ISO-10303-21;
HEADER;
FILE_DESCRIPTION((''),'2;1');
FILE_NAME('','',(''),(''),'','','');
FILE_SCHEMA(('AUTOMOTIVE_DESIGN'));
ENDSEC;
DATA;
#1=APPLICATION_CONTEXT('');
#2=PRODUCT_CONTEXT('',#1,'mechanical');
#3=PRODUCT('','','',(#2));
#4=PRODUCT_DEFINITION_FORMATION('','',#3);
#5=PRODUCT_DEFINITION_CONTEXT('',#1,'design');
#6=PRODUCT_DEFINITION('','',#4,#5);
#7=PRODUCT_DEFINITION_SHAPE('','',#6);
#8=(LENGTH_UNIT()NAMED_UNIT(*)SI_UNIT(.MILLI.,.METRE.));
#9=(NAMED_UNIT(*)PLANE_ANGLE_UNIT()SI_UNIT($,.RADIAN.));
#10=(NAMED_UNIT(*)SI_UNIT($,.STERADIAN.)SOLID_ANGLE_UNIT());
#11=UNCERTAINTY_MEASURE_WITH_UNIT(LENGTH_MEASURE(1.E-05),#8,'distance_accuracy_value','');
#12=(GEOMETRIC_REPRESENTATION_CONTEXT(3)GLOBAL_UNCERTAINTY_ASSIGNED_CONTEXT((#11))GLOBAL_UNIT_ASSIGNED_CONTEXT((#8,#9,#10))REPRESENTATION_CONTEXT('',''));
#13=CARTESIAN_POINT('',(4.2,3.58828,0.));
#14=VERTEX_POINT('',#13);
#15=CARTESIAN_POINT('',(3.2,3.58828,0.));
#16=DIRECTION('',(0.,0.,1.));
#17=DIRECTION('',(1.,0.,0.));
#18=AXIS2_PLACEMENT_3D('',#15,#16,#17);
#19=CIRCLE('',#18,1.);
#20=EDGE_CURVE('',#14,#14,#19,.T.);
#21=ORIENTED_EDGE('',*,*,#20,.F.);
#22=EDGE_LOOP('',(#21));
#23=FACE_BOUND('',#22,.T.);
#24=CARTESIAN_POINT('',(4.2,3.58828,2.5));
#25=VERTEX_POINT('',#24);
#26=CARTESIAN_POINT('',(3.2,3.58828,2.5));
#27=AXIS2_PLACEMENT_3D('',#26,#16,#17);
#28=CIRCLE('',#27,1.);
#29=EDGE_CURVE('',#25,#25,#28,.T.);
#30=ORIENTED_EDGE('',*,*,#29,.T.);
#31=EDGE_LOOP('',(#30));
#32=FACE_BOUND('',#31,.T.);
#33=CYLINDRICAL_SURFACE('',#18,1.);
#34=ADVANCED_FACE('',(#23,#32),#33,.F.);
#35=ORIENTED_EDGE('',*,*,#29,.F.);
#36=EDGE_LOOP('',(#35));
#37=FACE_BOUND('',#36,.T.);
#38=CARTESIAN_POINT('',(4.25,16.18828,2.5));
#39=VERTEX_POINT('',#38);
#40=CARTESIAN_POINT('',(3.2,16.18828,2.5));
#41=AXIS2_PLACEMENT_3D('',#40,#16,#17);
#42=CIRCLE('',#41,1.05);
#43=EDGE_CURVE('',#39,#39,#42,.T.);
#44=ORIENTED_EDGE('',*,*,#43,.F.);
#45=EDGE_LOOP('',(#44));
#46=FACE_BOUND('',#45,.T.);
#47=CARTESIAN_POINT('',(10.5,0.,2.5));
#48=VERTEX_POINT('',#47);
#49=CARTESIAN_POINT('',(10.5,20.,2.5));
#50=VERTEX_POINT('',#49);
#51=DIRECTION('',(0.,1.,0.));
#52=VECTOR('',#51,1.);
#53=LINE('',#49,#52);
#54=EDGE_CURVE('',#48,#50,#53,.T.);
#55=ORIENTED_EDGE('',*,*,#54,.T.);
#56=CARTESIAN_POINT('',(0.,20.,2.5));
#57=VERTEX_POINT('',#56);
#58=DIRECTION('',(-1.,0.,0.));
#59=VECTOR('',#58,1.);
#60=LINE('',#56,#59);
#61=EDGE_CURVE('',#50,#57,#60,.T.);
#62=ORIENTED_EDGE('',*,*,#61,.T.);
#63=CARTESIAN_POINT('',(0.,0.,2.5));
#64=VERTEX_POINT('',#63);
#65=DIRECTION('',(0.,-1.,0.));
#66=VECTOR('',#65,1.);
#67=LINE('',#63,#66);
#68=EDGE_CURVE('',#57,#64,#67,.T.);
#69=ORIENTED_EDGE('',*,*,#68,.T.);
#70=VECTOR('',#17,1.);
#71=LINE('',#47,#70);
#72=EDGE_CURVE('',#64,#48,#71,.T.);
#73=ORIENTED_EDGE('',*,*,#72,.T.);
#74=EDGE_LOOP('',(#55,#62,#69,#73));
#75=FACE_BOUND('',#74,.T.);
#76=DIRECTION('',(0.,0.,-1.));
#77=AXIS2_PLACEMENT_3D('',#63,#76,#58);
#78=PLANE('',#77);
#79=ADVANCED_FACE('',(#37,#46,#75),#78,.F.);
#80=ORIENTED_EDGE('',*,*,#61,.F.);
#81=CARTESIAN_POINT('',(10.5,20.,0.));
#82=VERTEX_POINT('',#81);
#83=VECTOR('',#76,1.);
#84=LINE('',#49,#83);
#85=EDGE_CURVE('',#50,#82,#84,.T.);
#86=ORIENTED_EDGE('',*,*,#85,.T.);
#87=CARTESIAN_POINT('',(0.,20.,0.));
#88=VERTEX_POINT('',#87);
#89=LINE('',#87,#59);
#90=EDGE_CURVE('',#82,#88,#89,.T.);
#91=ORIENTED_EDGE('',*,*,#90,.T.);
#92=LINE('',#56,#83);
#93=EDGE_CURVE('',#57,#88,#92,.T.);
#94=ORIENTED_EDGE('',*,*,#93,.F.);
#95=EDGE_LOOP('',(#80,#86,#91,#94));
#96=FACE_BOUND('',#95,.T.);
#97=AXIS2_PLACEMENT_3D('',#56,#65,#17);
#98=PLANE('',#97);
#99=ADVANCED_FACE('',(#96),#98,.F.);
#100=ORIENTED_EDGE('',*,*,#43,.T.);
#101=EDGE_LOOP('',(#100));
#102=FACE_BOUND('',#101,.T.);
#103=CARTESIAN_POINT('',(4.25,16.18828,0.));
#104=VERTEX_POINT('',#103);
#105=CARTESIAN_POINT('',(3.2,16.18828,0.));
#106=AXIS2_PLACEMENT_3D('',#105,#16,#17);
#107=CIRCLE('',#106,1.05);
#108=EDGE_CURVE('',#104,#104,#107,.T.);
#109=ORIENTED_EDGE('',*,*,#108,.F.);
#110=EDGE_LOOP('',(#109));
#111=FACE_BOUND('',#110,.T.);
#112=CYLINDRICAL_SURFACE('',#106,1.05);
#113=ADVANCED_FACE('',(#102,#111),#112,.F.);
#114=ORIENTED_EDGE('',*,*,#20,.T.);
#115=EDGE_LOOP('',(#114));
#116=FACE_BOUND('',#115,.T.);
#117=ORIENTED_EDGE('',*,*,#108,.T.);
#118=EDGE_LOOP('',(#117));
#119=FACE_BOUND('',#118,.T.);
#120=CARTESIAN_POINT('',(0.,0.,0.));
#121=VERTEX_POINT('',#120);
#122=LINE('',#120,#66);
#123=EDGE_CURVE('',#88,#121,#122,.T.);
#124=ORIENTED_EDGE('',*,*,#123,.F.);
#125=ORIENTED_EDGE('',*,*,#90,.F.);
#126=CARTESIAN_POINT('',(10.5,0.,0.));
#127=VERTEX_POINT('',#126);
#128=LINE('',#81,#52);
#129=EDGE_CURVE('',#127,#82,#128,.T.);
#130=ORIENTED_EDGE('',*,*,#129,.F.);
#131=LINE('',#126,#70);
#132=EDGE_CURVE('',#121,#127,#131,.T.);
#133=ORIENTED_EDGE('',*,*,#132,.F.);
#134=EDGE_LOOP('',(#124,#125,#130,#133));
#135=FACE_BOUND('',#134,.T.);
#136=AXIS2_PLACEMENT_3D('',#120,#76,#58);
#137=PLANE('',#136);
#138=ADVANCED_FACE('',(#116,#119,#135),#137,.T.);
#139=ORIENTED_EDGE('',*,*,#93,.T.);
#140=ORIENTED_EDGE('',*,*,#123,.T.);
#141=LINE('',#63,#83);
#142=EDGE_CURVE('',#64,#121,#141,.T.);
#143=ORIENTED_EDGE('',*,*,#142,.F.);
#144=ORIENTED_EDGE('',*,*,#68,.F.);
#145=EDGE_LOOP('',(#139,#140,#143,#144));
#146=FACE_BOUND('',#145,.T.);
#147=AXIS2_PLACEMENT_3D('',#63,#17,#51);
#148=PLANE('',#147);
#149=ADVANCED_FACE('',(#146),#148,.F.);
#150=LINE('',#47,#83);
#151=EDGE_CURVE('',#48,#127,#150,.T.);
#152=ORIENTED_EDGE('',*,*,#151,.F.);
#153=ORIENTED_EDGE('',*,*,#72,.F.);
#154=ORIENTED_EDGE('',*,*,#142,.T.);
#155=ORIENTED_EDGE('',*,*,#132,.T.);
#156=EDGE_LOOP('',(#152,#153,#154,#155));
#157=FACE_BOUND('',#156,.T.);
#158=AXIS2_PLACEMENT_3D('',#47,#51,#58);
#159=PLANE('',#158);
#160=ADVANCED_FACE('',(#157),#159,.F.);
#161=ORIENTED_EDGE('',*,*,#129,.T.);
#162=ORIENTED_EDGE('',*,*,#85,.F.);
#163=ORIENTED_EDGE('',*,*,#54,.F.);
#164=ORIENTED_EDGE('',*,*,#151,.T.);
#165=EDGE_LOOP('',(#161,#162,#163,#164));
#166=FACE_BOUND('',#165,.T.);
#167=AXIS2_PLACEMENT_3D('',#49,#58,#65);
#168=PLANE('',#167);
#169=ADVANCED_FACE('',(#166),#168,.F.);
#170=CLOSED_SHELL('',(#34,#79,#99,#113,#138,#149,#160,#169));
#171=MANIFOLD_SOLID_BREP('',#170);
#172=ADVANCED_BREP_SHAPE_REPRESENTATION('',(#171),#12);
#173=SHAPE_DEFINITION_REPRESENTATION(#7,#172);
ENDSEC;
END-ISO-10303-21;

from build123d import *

# Parameters (mm, degrees)
SKETCH2_W           = 10.5
SKETCH2_H           = 20
BOSS_EXTRUDE1_DEPTH = 2.5
SKETCH3_R           = 1.05
SKETCH3_R_2         = 1
CUT_EXTRUDE1_DEPTH  = 3.5


with BuildPart() as part:
    # Sketch2 → Boss-Extrude1 (new body)
    with BuildSketch(Plane.XY):
        with Locations((5.25, 10)):
            Rectangle(SKETCH2_W, SKETCH2_H)
    extrude(amount=BOSS_EXTRUDE1_DEPTH)

    # Sketch3 → Cut-Extrude1 (cut, through all)
    with BuildSketch(Plane.XY.offset(2.5)):
        with Locations((3.2, 16.188280357)):
            Circle(SKETCH3_R)
        with Locations((3.2, 3.588280357)):
            Circle(SKETCH3_R_2)
    extrude(amount=-CUT_EXTRUDE1_DEPTH, mode=Mode.SUBTRACT)


solid = part.part
